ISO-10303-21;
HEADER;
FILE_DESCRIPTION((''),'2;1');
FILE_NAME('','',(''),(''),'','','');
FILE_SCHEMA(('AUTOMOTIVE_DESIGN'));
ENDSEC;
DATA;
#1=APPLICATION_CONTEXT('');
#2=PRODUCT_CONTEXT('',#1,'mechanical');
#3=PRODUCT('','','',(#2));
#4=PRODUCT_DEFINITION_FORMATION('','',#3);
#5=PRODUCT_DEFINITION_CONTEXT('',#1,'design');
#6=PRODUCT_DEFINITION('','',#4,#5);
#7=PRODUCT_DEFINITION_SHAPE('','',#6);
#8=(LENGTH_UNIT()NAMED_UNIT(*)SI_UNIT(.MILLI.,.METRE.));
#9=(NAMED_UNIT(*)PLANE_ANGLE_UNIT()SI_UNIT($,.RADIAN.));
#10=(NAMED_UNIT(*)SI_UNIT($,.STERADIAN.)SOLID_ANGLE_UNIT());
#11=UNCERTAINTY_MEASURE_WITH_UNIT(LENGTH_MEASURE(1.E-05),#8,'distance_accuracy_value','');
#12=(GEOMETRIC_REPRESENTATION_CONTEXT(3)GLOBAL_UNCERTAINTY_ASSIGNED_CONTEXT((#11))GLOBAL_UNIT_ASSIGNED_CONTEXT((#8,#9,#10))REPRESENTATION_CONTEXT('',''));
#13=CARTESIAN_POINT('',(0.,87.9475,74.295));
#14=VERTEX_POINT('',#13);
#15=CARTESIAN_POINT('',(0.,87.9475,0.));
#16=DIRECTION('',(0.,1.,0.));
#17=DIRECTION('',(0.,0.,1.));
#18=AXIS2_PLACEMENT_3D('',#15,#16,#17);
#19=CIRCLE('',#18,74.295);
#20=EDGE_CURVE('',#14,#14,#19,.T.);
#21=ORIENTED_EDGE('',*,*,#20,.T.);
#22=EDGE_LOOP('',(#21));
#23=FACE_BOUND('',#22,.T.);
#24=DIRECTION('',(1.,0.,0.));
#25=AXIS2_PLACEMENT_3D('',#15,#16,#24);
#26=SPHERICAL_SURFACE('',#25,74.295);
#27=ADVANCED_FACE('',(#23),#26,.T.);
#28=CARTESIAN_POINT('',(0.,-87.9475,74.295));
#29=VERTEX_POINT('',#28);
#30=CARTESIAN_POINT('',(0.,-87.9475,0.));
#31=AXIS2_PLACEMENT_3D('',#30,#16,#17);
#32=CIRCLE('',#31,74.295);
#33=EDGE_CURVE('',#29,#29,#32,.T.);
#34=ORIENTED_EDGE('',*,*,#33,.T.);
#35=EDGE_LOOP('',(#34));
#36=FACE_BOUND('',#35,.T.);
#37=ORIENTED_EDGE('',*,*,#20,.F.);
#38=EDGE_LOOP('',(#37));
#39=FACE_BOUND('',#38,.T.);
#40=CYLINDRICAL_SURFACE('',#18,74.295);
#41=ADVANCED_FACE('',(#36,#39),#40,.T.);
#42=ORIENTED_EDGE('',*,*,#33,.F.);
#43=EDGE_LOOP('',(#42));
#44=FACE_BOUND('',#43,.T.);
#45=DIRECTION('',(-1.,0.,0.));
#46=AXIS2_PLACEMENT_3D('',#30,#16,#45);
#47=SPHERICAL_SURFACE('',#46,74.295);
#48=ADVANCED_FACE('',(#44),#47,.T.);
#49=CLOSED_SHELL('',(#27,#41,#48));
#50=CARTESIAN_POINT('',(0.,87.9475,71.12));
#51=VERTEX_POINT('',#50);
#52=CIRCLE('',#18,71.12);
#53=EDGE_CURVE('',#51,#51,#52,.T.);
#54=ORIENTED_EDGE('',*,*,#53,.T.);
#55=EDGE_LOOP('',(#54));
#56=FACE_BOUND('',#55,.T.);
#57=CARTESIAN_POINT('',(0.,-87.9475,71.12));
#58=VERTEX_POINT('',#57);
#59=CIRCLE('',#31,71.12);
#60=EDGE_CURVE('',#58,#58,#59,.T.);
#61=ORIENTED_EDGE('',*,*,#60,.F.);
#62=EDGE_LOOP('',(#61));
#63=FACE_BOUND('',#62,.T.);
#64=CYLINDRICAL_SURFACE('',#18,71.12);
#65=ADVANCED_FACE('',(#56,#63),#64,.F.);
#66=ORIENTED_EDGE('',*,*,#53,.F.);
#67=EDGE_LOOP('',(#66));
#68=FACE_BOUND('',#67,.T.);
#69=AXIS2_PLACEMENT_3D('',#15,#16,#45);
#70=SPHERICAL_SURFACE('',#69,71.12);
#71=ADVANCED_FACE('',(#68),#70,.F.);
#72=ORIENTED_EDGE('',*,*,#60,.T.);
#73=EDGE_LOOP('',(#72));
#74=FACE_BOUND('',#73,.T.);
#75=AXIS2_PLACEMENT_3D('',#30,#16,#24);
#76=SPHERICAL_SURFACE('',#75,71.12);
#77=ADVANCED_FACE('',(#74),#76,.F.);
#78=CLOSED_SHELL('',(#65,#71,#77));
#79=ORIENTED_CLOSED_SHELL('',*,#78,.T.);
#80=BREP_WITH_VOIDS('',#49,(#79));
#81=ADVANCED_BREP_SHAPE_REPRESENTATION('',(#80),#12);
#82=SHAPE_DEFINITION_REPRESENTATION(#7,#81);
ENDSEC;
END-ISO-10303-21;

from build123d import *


with BuildPart() as part:
    # Sketch1 → Revolve3 (revolve)
    with BuildSketch(Plane.XY, mode=Mode.PRIVATE) as revolve3_sk:
        with BuildLine():
            Line((-74.295, 87.9475), (-74.295, -87.9475))
            ThreePointArc((-74.295, -87.9475), (-52.534498308, -140.481998308), (0, -162.2425))
            Line((0, -162.2425), (0, -159.0675))
            ThreePointArc((0, -159.0675), (-50.289434278, -138.236934278), (-71.12, -87.9475))
            Line((-71.12, -87.9475), (-71.12, 87.9475))
            ThreePointArc((-71.12, 87.9475), (-50.289434278, 138.236934278), (0, 159.0675))
            Line((0, 159.0675), (0, 162.2425))
            ThreePointArc((0, 162.2425), (-52.534498308, 140.481998308), (-74.295, 87.9475))
        make_face()
    revolve(revolve3_sk.sketch.rotate(Axis((0, 87.9475, 0), (0, -1, 0)), 270), axis=Axis((0, 87.9475, 0), (0, -1, 0)))


solid = part.part
